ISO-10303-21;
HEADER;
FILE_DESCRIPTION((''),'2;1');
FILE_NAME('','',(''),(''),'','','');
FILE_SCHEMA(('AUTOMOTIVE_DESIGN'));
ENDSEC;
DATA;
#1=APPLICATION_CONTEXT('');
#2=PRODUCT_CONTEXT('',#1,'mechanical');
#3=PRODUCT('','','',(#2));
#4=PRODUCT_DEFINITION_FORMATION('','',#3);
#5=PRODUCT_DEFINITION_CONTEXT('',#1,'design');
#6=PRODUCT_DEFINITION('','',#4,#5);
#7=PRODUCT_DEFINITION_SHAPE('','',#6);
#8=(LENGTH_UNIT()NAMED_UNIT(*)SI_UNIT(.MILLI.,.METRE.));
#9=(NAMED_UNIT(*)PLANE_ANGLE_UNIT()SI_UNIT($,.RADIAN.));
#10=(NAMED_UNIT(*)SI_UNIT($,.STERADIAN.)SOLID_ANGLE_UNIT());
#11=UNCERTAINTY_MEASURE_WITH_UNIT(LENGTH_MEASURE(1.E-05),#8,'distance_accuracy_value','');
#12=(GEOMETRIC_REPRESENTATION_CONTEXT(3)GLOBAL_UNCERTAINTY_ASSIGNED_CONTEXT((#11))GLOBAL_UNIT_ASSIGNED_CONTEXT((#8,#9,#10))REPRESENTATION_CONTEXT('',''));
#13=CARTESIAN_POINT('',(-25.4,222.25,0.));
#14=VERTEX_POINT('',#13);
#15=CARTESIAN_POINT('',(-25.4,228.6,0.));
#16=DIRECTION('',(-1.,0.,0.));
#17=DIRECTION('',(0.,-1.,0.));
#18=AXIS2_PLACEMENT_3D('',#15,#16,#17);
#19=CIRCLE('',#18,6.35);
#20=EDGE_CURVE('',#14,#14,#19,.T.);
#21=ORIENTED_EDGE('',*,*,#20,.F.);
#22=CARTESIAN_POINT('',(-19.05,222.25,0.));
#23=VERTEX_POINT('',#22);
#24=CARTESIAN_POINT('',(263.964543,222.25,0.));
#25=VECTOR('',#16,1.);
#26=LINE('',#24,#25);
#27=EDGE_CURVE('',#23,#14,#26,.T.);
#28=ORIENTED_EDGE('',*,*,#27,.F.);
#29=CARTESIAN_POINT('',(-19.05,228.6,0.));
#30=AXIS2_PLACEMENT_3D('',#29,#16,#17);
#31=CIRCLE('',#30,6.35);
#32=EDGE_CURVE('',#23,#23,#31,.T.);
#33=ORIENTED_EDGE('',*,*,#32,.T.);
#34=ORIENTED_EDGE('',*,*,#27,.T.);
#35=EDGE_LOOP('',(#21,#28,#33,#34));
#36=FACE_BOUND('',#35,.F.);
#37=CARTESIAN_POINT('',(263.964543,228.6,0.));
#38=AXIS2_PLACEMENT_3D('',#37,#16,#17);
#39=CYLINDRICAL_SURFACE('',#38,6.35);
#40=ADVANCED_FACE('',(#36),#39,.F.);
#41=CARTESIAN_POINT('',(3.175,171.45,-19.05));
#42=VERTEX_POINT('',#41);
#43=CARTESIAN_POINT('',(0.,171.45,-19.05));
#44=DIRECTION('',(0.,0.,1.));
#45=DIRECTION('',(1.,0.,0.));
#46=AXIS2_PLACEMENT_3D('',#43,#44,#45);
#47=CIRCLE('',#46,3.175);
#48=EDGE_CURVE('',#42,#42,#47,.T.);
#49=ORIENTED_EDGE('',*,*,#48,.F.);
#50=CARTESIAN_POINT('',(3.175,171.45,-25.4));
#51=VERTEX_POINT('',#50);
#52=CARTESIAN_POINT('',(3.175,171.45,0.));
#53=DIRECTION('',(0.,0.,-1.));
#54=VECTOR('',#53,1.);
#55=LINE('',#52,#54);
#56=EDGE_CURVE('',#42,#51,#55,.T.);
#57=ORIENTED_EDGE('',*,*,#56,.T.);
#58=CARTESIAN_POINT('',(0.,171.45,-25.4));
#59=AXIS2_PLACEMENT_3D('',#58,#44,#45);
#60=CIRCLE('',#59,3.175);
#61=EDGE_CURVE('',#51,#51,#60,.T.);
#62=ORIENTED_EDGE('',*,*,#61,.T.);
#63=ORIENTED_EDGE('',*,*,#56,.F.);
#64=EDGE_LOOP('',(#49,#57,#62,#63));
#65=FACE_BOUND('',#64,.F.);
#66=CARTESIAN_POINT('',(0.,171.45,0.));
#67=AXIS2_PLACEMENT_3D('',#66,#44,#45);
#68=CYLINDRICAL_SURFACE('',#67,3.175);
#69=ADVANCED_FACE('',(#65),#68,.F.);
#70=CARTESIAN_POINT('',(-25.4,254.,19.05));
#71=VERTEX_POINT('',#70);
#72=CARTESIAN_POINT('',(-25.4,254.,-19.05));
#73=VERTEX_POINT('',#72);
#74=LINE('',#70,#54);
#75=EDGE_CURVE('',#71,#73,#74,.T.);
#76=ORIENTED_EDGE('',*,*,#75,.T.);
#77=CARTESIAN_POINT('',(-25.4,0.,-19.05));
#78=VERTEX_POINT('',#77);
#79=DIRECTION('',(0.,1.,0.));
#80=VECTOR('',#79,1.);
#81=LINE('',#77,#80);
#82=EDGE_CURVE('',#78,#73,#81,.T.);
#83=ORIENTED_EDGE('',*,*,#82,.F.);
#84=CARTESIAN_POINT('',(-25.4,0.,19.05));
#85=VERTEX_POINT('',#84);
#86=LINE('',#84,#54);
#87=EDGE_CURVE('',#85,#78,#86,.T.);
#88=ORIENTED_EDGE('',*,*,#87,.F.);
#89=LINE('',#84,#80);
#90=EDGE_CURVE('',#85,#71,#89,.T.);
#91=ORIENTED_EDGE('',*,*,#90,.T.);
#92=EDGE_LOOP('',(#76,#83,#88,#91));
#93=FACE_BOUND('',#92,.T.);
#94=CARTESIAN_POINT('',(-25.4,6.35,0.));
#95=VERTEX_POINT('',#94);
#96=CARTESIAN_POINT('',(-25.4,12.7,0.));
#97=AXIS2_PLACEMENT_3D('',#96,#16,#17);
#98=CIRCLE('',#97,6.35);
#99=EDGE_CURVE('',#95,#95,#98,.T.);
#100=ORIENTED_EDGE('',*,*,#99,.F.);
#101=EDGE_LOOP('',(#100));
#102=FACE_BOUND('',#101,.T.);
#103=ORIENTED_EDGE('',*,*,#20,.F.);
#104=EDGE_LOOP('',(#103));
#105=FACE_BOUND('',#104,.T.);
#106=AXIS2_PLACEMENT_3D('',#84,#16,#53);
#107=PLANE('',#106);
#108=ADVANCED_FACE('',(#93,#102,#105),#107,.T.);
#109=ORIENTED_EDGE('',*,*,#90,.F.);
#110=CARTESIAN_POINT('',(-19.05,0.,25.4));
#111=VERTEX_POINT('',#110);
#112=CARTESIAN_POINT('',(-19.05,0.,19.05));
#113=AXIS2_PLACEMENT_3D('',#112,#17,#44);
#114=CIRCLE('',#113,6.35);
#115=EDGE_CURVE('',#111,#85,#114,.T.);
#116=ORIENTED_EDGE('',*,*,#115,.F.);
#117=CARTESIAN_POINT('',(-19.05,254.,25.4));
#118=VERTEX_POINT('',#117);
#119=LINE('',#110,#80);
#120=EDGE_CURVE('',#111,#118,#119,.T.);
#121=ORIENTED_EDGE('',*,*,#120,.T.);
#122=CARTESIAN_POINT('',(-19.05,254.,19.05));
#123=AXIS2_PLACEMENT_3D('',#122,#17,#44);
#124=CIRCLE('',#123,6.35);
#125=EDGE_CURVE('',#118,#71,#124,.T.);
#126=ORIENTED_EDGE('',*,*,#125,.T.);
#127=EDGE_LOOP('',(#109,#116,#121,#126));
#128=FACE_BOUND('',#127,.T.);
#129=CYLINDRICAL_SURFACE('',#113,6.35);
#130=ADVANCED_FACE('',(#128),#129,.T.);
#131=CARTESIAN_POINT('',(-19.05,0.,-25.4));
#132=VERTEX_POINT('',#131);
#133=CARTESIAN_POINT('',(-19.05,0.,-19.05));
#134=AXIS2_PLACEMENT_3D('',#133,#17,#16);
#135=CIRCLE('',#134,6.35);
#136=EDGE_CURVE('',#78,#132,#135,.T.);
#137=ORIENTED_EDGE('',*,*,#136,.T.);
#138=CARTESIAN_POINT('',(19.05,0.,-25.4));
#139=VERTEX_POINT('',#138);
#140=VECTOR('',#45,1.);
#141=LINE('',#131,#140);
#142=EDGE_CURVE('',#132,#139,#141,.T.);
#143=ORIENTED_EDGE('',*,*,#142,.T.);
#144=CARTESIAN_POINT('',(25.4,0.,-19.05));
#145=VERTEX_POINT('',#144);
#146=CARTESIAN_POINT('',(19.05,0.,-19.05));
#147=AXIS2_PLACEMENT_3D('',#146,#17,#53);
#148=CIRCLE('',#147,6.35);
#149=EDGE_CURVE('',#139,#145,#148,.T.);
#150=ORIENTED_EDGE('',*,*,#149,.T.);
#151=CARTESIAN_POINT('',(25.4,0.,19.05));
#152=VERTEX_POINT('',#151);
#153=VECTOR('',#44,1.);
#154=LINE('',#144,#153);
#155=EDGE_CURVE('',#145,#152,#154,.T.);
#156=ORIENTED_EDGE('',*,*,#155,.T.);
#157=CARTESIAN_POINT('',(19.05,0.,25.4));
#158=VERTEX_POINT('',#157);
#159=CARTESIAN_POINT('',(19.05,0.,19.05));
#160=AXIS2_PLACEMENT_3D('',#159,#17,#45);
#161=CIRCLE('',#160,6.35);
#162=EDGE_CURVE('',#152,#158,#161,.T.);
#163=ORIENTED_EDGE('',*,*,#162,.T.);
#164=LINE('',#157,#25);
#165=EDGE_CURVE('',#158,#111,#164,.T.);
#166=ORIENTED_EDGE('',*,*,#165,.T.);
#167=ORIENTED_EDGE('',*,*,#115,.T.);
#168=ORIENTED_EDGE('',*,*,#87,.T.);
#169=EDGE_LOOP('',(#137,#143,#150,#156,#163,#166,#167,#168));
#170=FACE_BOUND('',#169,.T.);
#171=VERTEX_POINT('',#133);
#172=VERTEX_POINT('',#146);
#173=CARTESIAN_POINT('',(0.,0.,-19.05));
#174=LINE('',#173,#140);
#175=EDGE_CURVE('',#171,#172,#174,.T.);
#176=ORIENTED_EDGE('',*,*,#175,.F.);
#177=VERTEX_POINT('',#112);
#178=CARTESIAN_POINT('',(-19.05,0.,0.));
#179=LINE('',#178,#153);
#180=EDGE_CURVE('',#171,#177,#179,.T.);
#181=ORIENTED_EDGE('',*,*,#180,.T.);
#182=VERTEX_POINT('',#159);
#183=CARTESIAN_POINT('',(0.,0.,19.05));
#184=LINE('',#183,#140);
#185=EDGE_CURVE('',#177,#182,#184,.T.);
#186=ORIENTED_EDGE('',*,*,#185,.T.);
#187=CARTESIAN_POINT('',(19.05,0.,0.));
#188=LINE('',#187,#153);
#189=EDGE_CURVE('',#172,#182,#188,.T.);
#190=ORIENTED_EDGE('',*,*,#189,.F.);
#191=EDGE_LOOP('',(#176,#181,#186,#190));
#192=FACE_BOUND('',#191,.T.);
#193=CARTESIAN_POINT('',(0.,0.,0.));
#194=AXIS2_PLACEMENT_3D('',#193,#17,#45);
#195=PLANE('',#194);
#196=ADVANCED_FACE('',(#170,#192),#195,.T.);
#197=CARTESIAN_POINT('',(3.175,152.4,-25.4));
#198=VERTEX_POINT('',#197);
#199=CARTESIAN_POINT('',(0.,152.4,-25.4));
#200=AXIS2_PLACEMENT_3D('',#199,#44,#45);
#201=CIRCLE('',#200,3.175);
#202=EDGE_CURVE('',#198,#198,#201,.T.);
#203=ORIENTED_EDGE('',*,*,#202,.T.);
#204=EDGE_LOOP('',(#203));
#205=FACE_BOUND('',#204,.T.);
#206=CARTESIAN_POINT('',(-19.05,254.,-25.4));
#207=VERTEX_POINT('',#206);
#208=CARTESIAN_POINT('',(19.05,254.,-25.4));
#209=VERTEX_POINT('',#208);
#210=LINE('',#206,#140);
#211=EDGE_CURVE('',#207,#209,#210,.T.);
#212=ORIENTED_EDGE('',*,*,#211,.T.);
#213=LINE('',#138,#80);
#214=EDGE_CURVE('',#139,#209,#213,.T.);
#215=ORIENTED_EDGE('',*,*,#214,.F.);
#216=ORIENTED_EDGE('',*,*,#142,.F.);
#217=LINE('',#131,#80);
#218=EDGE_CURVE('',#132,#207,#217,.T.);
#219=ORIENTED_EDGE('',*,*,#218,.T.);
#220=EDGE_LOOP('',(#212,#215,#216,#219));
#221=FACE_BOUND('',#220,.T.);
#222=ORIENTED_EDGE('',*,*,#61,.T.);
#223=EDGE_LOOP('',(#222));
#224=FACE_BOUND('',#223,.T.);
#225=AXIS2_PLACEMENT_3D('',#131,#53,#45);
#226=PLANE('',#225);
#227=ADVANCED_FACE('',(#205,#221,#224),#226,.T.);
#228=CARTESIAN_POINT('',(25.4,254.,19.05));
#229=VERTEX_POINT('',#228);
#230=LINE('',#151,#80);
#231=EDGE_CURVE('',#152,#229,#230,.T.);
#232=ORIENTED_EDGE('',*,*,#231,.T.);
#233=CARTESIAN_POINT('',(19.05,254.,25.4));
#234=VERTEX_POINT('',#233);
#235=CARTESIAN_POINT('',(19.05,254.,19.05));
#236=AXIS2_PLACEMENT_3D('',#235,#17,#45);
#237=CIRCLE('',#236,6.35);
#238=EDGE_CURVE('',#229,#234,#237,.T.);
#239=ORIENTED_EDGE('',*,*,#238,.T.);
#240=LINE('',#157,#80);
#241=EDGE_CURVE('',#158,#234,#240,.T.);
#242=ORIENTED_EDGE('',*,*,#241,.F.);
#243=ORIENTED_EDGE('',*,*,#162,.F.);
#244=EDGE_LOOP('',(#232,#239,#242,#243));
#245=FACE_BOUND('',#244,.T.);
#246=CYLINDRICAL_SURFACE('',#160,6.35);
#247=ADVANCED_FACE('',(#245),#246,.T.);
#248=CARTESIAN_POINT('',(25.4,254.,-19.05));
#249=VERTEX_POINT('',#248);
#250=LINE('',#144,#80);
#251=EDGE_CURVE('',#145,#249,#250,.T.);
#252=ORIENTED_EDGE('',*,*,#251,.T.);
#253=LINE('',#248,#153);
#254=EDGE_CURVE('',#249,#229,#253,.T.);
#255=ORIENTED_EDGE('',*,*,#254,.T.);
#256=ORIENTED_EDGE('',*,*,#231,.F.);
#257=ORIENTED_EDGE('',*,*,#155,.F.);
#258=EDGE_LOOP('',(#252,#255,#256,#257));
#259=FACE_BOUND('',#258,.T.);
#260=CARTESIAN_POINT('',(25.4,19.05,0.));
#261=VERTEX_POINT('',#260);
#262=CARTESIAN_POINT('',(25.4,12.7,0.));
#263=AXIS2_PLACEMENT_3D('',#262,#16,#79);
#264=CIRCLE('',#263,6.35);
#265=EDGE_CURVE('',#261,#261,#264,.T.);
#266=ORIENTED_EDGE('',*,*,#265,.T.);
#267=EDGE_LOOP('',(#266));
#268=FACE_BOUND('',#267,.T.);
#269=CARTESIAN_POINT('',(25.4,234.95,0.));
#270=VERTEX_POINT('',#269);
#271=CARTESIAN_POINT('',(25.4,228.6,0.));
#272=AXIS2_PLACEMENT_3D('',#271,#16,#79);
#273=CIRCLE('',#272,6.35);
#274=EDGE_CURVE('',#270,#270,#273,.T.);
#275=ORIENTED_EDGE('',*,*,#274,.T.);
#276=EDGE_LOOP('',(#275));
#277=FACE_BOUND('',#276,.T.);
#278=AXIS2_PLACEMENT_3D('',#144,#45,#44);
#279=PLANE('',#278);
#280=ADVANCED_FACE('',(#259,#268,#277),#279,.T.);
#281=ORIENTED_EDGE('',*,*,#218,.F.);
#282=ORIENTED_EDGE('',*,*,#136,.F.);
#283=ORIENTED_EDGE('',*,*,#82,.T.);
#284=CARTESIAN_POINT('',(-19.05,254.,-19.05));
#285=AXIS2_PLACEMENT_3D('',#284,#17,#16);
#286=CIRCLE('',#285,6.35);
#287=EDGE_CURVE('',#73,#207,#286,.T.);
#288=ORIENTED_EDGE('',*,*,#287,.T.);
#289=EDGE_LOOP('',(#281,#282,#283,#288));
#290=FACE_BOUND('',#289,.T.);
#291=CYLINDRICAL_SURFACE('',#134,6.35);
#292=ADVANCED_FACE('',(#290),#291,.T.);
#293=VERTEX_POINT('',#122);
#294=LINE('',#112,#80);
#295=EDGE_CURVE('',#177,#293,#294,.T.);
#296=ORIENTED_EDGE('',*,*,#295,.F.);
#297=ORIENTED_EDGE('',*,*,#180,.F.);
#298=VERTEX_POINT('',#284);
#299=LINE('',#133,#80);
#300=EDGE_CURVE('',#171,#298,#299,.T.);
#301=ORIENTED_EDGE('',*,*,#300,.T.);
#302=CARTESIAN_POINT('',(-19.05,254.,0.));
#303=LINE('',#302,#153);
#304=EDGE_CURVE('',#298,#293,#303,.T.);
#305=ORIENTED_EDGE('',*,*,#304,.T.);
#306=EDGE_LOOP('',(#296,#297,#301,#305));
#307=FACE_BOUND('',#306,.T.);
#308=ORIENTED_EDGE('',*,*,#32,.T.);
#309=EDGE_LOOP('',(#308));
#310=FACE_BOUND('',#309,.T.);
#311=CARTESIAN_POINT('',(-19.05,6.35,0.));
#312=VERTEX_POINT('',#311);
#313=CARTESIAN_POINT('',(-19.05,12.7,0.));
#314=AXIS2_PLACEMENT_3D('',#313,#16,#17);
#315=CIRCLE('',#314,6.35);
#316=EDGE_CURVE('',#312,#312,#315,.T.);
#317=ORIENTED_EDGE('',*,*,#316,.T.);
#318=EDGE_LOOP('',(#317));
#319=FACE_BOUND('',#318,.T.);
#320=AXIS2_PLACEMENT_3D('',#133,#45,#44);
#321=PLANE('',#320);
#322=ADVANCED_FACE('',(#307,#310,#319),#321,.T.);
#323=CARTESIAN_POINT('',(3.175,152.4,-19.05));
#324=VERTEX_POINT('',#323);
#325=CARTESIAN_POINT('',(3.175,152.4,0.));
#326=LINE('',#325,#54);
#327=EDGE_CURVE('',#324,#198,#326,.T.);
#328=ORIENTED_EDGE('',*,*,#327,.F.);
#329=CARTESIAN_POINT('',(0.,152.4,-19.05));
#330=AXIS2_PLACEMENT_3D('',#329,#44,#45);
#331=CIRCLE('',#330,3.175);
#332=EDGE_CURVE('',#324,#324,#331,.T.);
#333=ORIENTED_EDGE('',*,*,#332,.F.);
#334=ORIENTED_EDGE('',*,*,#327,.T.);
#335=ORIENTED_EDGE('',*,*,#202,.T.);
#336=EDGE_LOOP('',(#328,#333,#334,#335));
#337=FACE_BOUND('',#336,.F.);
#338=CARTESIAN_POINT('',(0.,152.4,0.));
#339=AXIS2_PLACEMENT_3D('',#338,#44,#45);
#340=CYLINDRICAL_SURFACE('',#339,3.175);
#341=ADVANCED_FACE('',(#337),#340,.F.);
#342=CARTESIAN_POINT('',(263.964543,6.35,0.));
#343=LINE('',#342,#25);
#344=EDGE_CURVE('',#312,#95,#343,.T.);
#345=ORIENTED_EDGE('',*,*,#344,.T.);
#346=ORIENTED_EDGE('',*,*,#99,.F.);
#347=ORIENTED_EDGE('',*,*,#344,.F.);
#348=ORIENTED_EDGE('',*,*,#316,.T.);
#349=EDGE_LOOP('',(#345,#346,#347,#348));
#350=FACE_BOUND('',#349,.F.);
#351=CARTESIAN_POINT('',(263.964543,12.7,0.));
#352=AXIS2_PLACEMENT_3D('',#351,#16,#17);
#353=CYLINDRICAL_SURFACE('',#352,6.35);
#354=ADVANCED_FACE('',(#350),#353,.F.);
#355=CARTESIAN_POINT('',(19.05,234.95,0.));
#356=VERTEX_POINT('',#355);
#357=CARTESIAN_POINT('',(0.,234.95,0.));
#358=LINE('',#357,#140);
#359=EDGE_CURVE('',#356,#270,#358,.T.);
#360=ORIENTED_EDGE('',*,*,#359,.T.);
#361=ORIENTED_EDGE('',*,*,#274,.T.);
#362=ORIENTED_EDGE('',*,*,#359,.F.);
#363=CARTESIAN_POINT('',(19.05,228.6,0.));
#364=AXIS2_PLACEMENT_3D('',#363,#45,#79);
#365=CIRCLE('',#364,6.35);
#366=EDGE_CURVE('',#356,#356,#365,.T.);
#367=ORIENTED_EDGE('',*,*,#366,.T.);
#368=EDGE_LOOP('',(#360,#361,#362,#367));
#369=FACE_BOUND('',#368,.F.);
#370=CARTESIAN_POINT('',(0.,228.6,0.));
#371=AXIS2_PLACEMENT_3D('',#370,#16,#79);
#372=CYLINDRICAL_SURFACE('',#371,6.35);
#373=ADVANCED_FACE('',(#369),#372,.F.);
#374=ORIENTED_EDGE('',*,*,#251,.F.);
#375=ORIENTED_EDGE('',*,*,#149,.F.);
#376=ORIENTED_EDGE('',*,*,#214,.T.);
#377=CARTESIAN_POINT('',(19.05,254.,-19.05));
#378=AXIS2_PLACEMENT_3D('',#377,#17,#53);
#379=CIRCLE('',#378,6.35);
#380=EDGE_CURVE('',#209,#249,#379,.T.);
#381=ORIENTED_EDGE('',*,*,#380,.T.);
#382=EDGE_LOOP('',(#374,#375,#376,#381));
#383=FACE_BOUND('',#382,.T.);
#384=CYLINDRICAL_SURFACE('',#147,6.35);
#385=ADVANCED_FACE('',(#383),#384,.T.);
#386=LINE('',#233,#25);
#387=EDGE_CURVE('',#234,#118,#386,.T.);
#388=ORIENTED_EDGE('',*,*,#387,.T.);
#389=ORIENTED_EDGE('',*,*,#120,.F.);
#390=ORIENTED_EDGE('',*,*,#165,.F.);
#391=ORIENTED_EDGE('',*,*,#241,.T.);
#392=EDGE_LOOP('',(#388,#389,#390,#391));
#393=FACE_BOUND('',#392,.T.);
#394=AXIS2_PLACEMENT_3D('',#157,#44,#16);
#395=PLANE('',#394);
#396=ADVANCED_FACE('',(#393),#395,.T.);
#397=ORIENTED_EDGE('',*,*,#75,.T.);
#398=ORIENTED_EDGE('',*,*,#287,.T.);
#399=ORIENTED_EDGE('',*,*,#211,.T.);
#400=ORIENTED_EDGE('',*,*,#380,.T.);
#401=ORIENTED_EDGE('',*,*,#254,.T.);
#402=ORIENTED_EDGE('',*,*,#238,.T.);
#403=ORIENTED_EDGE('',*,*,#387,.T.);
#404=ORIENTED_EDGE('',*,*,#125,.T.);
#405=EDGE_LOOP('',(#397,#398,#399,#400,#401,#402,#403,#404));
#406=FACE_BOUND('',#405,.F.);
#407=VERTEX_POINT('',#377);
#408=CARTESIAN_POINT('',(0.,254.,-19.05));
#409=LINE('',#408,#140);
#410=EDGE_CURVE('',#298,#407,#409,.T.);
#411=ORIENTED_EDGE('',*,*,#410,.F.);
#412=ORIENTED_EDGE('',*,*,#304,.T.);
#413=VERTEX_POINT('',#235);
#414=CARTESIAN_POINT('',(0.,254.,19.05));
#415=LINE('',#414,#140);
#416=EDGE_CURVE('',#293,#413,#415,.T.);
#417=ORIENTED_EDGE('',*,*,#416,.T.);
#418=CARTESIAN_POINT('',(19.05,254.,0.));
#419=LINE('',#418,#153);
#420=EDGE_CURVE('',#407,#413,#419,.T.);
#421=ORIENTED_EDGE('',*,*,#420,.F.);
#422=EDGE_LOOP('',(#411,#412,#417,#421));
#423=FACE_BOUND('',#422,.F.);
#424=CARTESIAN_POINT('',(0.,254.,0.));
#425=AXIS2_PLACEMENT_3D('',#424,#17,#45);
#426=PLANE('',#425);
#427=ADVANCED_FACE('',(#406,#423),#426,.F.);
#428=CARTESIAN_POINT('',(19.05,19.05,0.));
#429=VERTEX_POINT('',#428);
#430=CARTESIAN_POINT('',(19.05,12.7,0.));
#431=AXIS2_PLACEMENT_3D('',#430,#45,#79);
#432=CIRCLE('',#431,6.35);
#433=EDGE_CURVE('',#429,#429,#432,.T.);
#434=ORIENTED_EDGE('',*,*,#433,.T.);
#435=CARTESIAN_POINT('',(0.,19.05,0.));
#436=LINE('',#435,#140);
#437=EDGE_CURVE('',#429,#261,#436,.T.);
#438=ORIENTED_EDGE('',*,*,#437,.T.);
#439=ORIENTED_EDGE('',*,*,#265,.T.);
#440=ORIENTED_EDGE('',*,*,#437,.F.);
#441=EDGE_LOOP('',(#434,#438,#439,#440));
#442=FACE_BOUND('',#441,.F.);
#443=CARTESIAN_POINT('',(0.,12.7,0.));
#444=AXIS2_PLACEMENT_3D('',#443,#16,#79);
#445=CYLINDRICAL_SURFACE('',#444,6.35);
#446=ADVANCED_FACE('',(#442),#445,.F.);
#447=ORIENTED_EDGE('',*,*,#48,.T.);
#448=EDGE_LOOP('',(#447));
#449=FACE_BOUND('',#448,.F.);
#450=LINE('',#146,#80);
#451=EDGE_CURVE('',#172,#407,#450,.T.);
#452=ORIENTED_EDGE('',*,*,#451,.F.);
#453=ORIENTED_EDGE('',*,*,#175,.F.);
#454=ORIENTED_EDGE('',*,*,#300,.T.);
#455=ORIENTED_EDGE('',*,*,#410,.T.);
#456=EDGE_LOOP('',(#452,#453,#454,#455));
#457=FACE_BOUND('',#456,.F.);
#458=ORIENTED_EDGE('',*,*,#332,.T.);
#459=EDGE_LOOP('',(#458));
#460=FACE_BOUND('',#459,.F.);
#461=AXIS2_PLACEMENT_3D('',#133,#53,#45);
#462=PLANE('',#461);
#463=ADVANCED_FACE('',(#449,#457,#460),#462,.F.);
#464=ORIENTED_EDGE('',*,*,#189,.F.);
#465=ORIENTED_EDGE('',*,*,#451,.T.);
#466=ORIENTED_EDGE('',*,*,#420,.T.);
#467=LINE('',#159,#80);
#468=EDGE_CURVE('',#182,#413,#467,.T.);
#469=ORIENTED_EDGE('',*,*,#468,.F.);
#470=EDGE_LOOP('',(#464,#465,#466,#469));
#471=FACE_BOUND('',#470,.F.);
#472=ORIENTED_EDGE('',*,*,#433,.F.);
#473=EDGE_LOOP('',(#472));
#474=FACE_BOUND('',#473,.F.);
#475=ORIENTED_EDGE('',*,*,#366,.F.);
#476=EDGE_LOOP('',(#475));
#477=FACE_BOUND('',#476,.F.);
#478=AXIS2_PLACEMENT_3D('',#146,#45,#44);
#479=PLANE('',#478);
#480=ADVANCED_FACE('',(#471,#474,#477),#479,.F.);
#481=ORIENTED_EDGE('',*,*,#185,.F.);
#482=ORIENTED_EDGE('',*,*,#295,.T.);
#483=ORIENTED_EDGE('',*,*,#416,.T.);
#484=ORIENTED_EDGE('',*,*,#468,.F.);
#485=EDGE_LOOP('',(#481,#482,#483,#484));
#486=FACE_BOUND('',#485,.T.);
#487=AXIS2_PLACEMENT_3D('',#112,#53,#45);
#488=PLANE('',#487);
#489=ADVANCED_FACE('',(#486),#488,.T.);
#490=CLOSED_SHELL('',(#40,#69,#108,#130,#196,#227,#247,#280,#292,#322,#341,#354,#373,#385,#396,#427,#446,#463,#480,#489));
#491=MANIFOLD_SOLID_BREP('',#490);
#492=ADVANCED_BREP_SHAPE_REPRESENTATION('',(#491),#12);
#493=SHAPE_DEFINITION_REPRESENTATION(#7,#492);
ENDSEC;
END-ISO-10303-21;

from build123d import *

# Parameters (mm, degrees)
F0_W     = 38.1
F0_H     = 38.1
F4_DEPTH = 254
F6_D     = 12.7
F6_DEPTH = 25.401
F1_D     = 12.7
F3_D     = 6.35
F3_DEPTH = 25.401


with BuildPart() as f4:
    # F0 (on Front) → F4 (new body)
    with BuildSketch(Plane.XZ):
        with BuildLine():
            Line((-19.05, -25.4), (19.05, -25.4))
            ThreePointArc((19.05, -25.4), (23.5401280605, -23.5401280605), (25.4, -19.05))
            Line((25.4, -19.05), (25.4, 19.05))
            ThreePointArc((25.4, 19.05), (23.5401280605, 23.5401280605), (19.05, 25.4))
            Line((19.05, 25.4), (-19.05, 25.4))
            ThreePointArc((-19.05, 25.4), (-23.5401280605, 23.5401280605), (-25.4, 19.05))
            Line((-25.4, 19.05), (-25.4, -19.05))
            ThreePointArc((-25.4, -19.05), (-23.5401280605, -23.5401280605), (-19.05, -25.4))
        make_face()
        Rectangle(F0_W, F0_H, mode=Mode.SUBTRACT)
    extrude(amount=-F4_DEPTH)

    # F6 (through all, one way)
    with BuildSketch(Plane(origin=(0, 0, 0), x_dir=(0, 1, 0), z_dir=(-1, 0, 0))):
        with Locations((12.7, 0), (228.6, 0)):
            Circle(F6_D / 2)
    extrude(amount=-F6_DEPTH, mode=Mode.SUBTRACT)

    # F1 (through all)
    with Locations(Plane.YZ):
        with Locations((12.7, 0), (228.6, 0)):
            Hole(F1_D / 2)

    # F3 (through all, one way)
    with BuildSketch(Plane.XY):
        with Locations((0, 171.45), (0, 152.4)):
            Circle(F3_D / 2)
    extrude(amount=-F3_DEPTH, mode=Mode.SUBTRACT)


solid = f4.part
